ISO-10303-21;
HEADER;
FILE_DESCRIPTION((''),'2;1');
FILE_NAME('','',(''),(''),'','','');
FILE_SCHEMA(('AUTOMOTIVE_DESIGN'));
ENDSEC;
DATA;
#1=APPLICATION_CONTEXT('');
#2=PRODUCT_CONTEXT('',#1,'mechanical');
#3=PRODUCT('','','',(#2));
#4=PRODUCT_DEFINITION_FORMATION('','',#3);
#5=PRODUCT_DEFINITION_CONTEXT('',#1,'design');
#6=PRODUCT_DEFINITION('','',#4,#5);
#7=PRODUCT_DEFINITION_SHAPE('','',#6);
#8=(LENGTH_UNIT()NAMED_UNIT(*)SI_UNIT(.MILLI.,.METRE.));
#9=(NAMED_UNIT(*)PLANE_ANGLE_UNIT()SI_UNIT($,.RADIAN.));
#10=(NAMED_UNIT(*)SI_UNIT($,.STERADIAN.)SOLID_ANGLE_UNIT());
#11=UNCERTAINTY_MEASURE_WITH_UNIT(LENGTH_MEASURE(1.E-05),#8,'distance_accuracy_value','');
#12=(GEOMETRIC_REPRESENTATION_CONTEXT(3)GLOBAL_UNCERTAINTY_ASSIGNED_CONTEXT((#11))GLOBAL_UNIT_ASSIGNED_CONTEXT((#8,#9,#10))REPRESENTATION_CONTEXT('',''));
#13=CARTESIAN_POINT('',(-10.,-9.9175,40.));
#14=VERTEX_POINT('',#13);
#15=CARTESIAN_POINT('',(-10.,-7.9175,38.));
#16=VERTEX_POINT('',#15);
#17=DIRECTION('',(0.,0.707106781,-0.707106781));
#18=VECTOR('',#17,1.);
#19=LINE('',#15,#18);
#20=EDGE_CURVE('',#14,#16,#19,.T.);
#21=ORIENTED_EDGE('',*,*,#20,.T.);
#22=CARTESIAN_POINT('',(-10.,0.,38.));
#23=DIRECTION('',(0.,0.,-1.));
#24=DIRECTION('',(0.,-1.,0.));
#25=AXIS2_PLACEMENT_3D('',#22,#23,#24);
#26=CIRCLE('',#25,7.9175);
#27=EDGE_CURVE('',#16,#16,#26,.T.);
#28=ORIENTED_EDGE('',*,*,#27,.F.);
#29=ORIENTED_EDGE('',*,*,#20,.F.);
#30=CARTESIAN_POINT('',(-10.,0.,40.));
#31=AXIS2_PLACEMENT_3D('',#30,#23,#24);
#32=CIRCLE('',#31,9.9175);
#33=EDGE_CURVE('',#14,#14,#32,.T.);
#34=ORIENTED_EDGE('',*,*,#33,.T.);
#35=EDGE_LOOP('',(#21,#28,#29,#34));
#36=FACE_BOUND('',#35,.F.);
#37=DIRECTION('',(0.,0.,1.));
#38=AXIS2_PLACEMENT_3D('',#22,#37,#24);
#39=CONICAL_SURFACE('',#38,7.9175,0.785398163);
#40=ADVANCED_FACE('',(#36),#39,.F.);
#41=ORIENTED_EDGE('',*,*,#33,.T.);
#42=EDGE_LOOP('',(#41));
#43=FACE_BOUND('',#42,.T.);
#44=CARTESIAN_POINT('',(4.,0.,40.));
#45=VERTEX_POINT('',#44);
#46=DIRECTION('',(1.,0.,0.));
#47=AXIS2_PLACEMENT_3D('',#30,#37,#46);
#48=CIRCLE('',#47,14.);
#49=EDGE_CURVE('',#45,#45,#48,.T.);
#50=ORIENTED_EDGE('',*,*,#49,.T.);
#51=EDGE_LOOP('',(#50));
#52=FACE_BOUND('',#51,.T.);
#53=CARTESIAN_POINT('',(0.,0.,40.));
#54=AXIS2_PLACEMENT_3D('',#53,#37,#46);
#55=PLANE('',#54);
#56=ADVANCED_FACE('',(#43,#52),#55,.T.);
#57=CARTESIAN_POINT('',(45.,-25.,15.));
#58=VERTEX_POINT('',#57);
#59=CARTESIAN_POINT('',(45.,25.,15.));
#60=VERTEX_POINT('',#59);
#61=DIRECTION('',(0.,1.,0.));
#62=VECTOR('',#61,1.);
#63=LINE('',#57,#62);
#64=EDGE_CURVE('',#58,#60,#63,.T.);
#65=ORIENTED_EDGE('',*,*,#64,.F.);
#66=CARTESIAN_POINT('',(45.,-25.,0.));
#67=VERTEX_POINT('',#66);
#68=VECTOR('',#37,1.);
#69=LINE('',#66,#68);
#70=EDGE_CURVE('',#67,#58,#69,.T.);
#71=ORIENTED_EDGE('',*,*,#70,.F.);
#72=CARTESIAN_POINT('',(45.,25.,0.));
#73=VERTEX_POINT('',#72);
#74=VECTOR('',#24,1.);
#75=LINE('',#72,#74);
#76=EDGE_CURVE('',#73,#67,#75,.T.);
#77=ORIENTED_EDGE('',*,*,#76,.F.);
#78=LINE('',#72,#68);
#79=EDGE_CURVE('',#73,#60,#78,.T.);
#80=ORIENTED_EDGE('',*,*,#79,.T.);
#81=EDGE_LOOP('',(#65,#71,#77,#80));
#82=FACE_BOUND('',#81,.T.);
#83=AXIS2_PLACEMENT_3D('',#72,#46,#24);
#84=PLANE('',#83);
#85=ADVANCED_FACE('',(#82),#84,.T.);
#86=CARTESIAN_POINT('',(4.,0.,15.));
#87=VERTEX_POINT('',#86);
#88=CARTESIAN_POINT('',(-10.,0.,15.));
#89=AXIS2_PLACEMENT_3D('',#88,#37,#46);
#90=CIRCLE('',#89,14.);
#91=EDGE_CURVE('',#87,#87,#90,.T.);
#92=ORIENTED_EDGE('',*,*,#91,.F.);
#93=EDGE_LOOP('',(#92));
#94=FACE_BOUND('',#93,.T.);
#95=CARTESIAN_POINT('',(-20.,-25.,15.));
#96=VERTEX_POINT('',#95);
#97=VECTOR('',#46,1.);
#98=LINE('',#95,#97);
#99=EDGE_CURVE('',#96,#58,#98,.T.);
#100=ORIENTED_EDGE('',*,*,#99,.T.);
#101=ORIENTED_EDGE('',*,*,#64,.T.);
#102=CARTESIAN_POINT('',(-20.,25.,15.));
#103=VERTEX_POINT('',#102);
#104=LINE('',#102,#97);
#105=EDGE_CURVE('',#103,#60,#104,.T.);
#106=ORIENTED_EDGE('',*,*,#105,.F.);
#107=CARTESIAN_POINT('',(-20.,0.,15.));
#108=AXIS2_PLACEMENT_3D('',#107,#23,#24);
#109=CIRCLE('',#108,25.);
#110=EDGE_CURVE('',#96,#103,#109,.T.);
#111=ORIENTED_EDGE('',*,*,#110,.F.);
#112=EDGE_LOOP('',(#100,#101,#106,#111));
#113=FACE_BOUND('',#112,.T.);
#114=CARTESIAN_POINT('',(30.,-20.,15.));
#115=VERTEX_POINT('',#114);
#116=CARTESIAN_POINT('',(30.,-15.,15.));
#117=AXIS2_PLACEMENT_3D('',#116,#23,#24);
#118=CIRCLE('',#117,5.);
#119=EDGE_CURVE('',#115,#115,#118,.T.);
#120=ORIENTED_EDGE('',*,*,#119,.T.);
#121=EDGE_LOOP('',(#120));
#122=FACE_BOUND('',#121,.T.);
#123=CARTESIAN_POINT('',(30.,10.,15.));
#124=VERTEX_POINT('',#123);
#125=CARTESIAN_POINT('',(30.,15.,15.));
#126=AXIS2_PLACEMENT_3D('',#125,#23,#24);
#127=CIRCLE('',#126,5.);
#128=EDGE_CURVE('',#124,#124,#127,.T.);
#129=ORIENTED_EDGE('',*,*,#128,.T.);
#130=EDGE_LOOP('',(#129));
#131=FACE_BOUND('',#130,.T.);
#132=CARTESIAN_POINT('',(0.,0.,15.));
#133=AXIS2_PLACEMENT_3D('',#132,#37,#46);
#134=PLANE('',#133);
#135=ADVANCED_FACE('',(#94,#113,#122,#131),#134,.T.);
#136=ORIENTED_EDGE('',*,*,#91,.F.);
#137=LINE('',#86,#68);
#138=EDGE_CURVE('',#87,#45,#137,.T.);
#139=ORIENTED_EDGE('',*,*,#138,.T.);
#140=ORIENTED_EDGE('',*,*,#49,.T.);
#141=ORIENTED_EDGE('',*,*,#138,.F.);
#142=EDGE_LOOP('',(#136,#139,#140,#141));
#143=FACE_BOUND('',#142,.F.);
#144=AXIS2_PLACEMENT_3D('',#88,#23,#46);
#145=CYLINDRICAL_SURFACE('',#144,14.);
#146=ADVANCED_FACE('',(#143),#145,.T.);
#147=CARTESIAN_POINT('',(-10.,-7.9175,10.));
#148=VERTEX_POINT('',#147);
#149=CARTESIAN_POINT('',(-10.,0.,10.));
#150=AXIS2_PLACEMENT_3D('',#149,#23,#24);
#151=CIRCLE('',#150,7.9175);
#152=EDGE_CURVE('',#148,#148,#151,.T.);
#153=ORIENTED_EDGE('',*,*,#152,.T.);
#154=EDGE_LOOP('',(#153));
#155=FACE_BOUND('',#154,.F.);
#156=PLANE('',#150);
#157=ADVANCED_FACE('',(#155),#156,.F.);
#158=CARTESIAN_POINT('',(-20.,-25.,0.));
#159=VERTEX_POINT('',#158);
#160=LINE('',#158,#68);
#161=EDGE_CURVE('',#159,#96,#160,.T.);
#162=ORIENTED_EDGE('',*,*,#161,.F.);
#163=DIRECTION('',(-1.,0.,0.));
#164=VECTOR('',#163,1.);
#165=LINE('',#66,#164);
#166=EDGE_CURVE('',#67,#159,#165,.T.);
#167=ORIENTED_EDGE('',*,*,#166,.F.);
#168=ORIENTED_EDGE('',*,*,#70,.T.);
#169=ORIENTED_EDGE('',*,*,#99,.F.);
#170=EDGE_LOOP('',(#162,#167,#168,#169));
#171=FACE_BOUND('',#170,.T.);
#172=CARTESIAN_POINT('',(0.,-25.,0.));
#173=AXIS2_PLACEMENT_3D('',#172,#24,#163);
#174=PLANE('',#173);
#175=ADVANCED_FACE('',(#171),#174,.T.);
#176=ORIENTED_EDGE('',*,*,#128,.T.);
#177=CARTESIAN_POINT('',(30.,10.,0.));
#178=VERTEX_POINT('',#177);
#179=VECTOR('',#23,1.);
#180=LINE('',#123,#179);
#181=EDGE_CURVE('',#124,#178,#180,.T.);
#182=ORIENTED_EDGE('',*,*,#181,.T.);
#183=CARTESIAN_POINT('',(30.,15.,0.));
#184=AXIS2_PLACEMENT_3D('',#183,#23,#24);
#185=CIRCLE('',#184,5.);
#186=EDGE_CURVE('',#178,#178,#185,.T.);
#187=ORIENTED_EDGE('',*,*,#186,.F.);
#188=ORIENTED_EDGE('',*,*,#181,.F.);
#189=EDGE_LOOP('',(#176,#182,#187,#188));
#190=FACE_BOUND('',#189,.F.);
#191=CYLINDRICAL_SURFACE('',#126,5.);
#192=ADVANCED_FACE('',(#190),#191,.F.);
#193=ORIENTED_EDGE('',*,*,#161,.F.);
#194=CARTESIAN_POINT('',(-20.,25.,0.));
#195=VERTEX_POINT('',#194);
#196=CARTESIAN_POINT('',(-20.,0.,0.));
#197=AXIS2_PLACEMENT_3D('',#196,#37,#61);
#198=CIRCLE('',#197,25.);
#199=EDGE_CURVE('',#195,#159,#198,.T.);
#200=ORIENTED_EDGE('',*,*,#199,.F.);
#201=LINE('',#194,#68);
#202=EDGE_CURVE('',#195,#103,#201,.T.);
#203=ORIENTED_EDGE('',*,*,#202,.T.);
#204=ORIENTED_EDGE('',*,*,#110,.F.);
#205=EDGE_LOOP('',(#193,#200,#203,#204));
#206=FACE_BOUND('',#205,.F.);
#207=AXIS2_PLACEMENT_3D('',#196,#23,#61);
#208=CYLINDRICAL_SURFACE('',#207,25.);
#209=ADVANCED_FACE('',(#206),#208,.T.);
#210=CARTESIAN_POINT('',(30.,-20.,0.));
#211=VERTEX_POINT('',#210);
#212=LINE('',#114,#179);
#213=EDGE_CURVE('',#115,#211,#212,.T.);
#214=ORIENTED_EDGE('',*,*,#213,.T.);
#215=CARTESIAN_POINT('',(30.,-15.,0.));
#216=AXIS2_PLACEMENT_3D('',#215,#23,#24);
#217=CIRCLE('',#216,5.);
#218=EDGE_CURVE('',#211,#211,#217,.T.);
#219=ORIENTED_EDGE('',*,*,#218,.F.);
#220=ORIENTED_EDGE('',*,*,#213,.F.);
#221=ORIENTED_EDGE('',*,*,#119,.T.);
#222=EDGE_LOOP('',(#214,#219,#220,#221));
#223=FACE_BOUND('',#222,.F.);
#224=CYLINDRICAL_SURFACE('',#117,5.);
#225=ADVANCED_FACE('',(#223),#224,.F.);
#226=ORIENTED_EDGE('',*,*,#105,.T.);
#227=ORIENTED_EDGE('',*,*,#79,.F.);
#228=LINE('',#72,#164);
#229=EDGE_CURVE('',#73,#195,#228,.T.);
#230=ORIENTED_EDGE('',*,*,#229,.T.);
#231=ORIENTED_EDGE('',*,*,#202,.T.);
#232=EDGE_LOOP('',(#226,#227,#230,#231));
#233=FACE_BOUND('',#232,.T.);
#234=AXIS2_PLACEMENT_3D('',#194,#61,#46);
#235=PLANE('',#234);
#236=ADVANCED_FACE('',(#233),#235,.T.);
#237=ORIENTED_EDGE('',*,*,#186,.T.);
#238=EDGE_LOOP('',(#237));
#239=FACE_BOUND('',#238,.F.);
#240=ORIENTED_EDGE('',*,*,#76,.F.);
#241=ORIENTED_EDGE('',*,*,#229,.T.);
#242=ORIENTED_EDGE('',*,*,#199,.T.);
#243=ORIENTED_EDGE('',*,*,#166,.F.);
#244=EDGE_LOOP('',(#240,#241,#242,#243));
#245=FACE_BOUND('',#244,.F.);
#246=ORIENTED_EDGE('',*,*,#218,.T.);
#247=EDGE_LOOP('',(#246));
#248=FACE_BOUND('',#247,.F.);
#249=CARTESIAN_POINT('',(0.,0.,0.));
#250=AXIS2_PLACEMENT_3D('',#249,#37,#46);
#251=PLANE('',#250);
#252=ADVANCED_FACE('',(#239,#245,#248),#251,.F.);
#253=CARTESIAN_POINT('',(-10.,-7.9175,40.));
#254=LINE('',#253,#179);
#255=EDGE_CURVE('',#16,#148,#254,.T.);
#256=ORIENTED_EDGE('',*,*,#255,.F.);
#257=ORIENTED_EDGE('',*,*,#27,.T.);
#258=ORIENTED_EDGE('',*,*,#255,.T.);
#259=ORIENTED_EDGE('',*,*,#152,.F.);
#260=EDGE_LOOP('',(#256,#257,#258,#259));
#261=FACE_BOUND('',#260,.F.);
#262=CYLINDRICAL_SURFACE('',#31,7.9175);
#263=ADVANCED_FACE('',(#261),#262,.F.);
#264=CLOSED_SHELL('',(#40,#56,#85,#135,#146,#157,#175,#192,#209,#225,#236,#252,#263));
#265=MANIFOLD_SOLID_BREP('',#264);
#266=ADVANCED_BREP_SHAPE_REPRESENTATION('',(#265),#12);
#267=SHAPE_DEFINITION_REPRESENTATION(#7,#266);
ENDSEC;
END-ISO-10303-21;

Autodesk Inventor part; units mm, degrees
ref_plane "YZ Plane" through (0, 0, 0) normal (1, 0, 0) x (0, 1, 0)
ref_plane "XZ Plane" through (0, 0, 0) normal (0, 1, 0) x (-1, 0, 0)
ref_plane "XY Plane" through (0, 0, 0) normal (0, 0, 1) x (1, 0, 0)
sketch "Эскиз1" plane through (0, 0, 0) normal (0, 0, 1) x (1, 0, 0)
  line L0 (-69.2132, 0) -> (64.0355, 0) projected
  line L1 (0, -42.2487) -> (0, 42.2487) projected
  line L2 (-20, 25) -> (45, 25)
  line L3 (45, 25) -> (45, -25)
  line L4 (45, -25) -> (-20, -25)
  line L5 (-45, 0) -> (-45, 0)
  arc A0 (-20, 25) -> (-45, 0) centre (-20, 0) ccw
  arc A1 (-45, 0) -> (-20, -25) centre (-20, 0) ccw
  point P0 (0, 0)
  point P1 (-45, 25)
  dimension "d0" = 50
  dimension "d1" = 90
  dimension "d2" = 25
extrude "Выдавливание1" add sketch "Эскиз1" along normal blind 15
sketch "Эскиз2" plane through (0, 0, 15) normal (0, 0, 1) x (1, 0, 0)
  line L0 (45, -25) -> (45, 25) projected
  circle A0 centre (-10, 0) radius 14
  point P0 (0, 0)
  point P1 (30, 14.0013)
  point P2 (31.2898, -16.1928)
  dimension "d6" = 15
  dimension "d7" = 40
  dimension "d8" = 28
extrude "Выдавливание2" add sketch "Эскиз2" along normal blind 25
sketch "Эскиз3" plane through (-10, 0, 40) normal (0, 0, 1) x (1, 0, 0)
  point P0 (10, 0)
sketch "Эскиз4" plane through (-10, 0, 40) normal (0, 0, 1) x (1, 0, 0)
  point P0 (10, 0)
  point P1 (0, 0)
hole "Отверстие1" at (-10, 0, 40) direction (0, 0, -1) diameter 15.835 depth 30 thread size "M18x2" class "6H" standard "ISO Metric profile"
chamfer "Фаска1" distance 2 angle 45 1 edges at (-10, 7.9175, 40)
sketch "Эскиз5" plane through (0, 0, 15) normal (0, 0, 1) x (1, 0, 0)
  line L0 (45, -25) -> (45, 25) projected
  circle A0 centre (-10, 0) radius 7.9175 projected
  line L1 (-63, 0) -> (63, 0) projected
  line L2 (0, -35) -> (0, 35) projected
  point P0 (0, 0)
  point P1 (30, 15)
  point P2 (30, -15)
  dimension "d21" = 15
  dimension "d22" = 40
  dimension "d23" = 30
hole "Отверстие2" at (30, 15, 15) at (30, -15, 15) direction (0, 0, -1) diameter 10 end through all
properties part number "Основание дз курганова"
